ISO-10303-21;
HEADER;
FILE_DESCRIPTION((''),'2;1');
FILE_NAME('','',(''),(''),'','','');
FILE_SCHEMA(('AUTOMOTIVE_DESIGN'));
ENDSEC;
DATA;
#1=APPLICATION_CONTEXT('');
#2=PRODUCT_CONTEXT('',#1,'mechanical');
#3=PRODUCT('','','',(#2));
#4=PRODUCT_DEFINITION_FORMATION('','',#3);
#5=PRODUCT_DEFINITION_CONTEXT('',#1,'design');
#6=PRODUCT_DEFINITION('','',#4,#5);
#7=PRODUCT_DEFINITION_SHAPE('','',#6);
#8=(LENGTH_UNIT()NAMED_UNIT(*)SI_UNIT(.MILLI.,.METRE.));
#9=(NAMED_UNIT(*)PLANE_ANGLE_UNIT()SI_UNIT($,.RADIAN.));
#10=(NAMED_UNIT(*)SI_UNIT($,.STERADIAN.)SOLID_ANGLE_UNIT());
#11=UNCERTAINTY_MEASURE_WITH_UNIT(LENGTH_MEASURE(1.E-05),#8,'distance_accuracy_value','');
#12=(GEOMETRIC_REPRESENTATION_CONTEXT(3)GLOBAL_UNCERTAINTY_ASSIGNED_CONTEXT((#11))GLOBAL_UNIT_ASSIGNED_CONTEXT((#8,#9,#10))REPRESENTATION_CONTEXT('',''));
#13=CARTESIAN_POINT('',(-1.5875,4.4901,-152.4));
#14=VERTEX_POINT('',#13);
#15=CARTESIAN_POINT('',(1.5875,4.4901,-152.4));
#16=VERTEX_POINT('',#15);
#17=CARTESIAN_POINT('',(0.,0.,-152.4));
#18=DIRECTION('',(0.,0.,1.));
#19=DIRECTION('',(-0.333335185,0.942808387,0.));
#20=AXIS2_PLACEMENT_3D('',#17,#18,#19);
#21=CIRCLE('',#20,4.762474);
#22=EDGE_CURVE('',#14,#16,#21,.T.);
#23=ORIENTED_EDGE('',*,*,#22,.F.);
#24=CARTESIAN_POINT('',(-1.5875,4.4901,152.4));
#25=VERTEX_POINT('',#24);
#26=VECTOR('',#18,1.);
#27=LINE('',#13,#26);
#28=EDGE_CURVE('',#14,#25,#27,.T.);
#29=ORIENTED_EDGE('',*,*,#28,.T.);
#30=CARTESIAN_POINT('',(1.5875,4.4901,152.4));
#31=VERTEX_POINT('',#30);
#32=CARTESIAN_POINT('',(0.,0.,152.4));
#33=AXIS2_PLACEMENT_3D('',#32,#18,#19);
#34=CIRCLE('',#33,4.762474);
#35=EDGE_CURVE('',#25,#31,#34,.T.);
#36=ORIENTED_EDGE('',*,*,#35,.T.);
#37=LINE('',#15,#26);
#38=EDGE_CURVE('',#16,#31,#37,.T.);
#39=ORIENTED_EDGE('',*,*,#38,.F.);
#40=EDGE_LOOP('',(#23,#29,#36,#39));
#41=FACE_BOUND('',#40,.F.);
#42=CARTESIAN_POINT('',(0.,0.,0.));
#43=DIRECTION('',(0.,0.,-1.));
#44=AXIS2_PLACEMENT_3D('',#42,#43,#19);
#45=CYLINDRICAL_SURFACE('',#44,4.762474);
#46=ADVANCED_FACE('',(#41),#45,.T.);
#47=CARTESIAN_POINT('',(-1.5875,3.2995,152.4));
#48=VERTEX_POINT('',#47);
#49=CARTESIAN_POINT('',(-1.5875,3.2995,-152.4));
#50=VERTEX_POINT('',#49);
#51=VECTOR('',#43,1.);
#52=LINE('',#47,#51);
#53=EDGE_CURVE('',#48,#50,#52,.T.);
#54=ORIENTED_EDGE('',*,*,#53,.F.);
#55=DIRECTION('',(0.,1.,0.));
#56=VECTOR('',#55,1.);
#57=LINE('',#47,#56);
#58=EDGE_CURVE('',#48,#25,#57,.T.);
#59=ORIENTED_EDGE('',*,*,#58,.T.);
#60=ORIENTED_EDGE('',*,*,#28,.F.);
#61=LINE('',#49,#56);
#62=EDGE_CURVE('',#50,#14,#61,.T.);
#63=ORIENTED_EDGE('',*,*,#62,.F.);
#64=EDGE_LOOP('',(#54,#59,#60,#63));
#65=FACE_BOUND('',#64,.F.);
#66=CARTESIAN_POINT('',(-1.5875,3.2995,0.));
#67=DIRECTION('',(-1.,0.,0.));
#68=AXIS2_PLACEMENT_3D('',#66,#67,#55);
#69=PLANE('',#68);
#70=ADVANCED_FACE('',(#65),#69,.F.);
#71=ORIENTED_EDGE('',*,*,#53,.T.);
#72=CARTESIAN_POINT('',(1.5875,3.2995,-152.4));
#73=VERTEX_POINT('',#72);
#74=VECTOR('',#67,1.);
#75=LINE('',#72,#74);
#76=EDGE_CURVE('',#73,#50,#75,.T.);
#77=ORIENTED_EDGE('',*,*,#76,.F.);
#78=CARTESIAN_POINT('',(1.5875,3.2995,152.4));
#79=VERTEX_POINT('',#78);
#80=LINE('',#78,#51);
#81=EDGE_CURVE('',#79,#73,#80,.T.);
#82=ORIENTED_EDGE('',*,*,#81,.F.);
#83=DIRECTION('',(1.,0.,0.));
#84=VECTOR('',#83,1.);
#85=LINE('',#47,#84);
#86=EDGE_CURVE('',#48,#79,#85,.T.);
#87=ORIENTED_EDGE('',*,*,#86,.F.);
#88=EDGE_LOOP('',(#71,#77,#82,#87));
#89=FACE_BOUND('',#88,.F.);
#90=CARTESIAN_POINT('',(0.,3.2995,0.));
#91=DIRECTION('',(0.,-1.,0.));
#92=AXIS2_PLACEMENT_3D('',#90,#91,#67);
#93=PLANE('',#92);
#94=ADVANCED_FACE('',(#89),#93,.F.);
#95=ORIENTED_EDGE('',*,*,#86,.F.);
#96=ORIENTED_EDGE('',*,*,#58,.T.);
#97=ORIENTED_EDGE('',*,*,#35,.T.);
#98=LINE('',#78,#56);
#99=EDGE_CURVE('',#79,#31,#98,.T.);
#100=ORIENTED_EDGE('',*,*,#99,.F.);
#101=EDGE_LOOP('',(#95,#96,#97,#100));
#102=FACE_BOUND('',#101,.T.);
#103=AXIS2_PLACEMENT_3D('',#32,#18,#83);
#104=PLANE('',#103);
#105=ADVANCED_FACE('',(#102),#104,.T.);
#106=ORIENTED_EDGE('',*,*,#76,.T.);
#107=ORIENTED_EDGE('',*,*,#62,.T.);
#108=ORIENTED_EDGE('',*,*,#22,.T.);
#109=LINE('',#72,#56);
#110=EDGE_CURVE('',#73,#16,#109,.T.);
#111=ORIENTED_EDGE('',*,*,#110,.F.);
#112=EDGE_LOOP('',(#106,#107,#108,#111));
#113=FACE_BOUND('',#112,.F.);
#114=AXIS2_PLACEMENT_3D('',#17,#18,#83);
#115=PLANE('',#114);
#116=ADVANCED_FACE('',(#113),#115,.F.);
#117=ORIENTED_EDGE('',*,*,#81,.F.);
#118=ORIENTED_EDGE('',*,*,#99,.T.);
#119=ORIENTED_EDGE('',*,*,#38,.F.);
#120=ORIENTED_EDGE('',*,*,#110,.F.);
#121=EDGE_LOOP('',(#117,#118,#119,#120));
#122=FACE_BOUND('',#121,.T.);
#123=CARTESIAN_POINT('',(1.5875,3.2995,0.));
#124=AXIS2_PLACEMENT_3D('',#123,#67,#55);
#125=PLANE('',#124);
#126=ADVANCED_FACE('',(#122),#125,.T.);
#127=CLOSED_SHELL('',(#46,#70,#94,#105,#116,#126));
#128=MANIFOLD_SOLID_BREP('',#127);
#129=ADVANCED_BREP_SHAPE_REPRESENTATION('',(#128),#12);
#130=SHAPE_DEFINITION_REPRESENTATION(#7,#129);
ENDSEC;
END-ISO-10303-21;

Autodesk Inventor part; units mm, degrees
ref_plane "YZ Plane" through (0, 0, 0) normal (1, 0, 0) x (0, 1, 0)
ref_plane "XZ Plane" through (0, 0, 0) normal (0, 1, 0) x (-1, 0, 0)
sketch "Sketch1" plane through (0, 0, 0) normal (0, 0, 1) x (1, 0, 0)
  arc A0 (-1.5875, 4.4901) -> (1.5875, 4.4901) centre (0, 0) ccw
  line L0 (0, 3.2995) -> (1.5875, 3.2995)
  line L1 (1.5875, 3.2995) -> (1.5875, 4.4901)
  line L2 (0, 4.7648) -> (0, 3.2995) construction
  line L3 (0, 3.2995) -> (-1.5875, 3.2995)
  line L4 (-1.5875, 3.2995) -> (-1.5875, 4.4901)
  dimension "shaftDiameter" = 9.525
  dimension "keyDepth" = 1.1906
  dimension "keyWidth" = 1.5875
extrude "Extrusion1" add sketch "Sketch1" along normal mid plane 304.8
properties part number "12x3_8-keyedDriveShaft" material "Aluminum 6061"
